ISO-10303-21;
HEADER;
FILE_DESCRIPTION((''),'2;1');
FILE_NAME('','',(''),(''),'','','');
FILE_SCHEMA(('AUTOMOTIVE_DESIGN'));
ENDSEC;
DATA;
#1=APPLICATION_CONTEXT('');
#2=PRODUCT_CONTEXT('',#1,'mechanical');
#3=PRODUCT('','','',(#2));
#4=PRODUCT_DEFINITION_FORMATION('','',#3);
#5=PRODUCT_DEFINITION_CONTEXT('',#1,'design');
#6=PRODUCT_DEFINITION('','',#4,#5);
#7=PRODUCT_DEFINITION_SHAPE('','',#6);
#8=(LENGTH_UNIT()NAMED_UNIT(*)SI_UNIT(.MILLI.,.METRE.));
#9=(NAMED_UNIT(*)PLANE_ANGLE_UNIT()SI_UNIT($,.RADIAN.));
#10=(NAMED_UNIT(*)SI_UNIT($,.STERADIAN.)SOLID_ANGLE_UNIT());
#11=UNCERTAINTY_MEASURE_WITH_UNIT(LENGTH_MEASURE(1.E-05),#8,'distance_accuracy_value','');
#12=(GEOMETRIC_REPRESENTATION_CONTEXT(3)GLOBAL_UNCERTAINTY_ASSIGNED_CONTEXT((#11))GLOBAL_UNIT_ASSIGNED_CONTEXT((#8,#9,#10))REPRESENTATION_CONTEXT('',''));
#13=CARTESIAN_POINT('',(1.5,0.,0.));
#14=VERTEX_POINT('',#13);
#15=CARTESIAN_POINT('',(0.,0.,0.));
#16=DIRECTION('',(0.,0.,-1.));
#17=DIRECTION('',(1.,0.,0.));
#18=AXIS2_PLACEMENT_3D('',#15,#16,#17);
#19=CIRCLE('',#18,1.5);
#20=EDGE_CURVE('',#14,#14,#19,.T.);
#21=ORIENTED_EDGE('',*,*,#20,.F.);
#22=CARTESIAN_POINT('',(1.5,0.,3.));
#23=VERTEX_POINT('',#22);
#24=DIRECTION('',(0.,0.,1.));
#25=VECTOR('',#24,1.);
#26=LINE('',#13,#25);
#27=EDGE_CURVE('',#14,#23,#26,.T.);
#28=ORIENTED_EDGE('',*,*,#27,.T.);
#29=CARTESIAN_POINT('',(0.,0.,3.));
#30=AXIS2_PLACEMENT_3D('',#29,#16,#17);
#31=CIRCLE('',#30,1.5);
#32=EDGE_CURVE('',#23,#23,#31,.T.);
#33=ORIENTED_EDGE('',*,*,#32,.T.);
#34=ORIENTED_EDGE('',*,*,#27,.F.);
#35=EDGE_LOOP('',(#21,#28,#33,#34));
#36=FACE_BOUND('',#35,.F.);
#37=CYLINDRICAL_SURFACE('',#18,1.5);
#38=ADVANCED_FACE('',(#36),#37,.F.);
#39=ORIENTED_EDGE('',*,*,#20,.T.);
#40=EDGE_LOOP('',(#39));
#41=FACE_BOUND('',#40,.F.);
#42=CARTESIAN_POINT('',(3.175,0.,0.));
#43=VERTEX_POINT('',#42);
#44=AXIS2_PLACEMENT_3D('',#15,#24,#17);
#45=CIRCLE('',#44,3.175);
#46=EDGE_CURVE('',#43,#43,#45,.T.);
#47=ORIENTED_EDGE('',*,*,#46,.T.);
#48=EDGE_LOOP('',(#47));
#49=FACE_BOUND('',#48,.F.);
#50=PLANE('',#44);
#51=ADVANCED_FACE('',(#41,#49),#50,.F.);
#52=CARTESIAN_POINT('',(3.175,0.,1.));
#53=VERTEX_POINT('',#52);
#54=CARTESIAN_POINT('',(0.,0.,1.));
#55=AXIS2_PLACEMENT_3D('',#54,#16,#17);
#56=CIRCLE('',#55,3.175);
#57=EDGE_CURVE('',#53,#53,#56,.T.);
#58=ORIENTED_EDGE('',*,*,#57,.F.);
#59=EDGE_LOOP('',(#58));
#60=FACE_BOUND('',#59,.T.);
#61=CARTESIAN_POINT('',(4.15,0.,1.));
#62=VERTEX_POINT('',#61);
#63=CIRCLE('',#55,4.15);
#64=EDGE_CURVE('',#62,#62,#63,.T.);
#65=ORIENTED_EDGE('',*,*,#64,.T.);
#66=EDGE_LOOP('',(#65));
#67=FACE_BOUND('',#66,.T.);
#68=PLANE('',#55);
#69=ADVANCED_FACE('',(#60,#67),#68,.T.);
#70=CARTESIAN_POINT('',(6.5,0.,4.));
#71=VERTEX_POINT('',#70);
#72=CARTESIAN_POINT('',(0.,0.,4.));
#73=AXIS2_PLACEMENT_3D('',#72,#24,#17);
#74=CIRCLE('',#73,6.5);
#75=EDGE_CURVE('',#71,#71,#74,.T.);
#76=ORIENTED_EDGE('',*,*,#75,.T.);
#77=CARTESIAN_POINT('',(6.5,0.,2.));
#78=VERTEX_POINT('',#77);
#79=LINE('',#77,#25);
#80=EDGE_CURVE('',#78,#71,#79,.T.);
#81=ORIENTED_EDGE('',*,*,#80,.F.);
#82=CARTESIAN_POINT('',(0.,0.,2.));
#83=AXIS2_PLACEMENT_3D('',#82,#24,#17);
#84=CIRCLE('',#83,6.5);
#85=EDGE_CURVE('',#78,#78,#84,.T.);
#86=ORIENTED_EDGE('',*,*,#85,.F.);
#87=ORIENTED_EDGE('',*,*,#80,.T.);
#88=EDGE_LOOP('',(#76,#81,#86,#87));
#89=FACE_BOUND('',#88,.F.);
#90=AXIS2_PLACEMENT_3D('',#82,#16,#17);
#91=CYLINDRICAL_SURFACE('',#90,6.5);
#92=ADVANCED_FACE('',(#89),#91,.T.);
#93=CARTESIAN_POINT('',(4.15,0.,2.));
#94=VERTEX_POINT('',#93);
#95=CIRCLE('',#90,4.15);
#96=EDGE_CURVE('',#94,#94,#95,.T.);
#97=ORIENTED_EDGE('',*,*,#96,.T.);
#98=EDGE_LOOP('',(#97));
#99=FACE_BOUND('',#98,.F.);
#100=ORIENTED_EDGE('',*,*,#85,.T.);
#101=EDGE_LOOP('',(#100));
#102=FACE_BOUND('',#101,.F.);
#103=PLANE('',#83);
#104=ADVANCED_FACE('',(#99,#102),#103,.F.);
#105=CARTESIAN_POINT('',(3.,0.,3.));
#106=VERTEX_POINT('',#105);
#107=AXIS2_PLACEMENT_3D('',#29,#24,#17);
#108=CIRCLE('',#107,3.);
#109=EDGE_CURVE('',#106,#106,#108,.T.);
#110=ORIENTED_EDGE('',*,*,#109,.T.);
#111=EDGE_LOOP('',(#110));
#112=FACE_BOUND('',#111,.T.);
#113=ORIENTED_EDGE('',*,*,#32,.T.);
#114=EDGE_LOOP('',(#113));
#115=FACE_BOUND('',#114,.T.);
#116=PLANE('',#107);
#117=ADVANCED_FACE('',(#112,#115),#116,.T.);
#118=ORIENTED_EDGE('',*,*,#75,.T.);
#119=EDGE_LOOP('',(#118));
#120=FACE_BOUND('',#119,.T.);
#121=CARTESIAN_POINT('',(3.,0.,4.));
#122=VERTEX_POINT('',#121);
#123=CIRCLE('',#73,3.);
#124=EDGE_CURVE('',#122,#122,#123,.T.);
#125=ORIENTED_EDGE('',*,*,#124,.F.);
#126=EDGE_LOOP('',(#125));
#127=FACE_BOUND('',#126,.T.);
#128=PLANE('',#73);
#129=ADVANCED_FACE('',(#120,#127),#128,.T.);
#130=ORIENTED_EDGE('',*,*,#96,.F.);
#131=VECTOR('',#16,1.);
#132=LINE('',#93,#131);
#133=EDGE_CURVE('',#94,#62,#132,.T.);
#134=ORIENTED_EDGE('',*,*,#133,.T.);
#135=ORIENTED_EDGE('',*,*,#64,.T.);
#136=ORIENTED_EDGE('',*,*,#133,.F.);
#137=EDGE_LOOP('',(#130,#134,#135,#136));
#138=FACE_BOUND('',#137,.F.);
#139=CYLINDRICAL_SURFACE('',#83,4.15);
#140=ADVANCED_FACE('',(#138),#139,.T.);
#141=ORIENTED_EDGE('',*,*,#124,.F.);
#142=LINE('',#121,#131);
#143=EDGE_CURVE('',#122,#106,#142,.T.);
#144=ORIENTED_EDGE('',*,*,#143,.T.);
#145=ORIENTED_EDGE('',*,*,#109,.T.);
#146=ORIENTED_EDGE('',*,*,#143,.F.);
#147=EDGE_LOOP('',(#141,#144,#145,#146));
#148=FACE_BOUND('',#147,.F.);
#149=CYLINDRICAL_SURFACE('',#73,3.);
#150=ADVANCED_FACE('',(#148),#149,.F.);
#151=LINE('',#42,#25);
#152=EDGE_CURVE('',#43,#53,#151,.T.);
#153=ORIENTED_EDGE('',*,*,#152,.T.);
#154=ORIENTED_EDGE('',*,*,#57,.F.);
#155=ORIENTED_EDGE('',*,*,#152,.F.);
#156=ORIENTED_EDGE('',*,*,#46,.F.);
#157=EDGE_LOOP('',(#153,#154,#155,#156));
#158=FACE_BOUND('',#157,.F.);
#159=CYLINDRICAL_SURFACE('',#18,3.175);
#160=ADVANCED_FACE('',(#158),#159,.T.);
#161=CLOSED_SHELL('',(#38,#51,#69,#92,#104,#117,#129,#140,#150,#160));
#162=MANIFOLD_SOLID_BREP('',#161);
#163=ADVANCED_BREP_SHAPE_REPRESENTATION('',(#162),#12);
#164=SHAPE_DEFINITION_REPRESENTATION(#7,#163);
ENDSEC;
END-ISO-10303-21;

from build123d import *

# Parameters (mm, degrees)
F0_R     = 3.175
F1_DEPTH = 2
F2_R     = 6.5
F3_DEPTH = 2
F4_R     = 3
F5_DEPTH = 1
F6_R     = 1.5
F7_DEPTH = 25
F8_R     = 4.15
F8_R_2   = 3.175
F9_DEPTH = 1


with BuildPart() as f1:
    # F0 (on Top) → F1 (new body)
    with BuildSketch(Plane.XY):
        Circle(F0_R)
    extrude(amount=F1_DEPTH)

    # F2 (on face) → F3 (join)
    with BuildSketch(Plane.XY.offset(2)):
        Circle(F2_R)
    extrude(amount=F3_DEPTH)

    # F4 (on face) → F5 (cut)
    with BuildSketch(Plane.XY.offset(4)):
        Circle(F4_R)
    extrude(amount=-F5_DEPTH, mode=Mode.SUBTRACT)

    # F6 (on face) → F7 (cut)
    with BuildSketch(Plane(origin=(0, 0, 0), x_dir=(1, 0, 0), z_dir=(0, 0, -1))):
        Circle(F6_R)
    extrude(amount=-F7_DEPTH, mode=Mode.SUBTRACT)

    # F8 (on face) → F9 (join)
    with BuildSketch(Plane(origin=(0, 0, 2), x_dir=(1, 0, 0), z_dir=(0, 0, -1))):
        Circle(F8_R)
        Circle(F8_R_2, mode=Mode.SUBTRACT)
    extrude(amount=F9_DEPTH)


solid = f1.part
